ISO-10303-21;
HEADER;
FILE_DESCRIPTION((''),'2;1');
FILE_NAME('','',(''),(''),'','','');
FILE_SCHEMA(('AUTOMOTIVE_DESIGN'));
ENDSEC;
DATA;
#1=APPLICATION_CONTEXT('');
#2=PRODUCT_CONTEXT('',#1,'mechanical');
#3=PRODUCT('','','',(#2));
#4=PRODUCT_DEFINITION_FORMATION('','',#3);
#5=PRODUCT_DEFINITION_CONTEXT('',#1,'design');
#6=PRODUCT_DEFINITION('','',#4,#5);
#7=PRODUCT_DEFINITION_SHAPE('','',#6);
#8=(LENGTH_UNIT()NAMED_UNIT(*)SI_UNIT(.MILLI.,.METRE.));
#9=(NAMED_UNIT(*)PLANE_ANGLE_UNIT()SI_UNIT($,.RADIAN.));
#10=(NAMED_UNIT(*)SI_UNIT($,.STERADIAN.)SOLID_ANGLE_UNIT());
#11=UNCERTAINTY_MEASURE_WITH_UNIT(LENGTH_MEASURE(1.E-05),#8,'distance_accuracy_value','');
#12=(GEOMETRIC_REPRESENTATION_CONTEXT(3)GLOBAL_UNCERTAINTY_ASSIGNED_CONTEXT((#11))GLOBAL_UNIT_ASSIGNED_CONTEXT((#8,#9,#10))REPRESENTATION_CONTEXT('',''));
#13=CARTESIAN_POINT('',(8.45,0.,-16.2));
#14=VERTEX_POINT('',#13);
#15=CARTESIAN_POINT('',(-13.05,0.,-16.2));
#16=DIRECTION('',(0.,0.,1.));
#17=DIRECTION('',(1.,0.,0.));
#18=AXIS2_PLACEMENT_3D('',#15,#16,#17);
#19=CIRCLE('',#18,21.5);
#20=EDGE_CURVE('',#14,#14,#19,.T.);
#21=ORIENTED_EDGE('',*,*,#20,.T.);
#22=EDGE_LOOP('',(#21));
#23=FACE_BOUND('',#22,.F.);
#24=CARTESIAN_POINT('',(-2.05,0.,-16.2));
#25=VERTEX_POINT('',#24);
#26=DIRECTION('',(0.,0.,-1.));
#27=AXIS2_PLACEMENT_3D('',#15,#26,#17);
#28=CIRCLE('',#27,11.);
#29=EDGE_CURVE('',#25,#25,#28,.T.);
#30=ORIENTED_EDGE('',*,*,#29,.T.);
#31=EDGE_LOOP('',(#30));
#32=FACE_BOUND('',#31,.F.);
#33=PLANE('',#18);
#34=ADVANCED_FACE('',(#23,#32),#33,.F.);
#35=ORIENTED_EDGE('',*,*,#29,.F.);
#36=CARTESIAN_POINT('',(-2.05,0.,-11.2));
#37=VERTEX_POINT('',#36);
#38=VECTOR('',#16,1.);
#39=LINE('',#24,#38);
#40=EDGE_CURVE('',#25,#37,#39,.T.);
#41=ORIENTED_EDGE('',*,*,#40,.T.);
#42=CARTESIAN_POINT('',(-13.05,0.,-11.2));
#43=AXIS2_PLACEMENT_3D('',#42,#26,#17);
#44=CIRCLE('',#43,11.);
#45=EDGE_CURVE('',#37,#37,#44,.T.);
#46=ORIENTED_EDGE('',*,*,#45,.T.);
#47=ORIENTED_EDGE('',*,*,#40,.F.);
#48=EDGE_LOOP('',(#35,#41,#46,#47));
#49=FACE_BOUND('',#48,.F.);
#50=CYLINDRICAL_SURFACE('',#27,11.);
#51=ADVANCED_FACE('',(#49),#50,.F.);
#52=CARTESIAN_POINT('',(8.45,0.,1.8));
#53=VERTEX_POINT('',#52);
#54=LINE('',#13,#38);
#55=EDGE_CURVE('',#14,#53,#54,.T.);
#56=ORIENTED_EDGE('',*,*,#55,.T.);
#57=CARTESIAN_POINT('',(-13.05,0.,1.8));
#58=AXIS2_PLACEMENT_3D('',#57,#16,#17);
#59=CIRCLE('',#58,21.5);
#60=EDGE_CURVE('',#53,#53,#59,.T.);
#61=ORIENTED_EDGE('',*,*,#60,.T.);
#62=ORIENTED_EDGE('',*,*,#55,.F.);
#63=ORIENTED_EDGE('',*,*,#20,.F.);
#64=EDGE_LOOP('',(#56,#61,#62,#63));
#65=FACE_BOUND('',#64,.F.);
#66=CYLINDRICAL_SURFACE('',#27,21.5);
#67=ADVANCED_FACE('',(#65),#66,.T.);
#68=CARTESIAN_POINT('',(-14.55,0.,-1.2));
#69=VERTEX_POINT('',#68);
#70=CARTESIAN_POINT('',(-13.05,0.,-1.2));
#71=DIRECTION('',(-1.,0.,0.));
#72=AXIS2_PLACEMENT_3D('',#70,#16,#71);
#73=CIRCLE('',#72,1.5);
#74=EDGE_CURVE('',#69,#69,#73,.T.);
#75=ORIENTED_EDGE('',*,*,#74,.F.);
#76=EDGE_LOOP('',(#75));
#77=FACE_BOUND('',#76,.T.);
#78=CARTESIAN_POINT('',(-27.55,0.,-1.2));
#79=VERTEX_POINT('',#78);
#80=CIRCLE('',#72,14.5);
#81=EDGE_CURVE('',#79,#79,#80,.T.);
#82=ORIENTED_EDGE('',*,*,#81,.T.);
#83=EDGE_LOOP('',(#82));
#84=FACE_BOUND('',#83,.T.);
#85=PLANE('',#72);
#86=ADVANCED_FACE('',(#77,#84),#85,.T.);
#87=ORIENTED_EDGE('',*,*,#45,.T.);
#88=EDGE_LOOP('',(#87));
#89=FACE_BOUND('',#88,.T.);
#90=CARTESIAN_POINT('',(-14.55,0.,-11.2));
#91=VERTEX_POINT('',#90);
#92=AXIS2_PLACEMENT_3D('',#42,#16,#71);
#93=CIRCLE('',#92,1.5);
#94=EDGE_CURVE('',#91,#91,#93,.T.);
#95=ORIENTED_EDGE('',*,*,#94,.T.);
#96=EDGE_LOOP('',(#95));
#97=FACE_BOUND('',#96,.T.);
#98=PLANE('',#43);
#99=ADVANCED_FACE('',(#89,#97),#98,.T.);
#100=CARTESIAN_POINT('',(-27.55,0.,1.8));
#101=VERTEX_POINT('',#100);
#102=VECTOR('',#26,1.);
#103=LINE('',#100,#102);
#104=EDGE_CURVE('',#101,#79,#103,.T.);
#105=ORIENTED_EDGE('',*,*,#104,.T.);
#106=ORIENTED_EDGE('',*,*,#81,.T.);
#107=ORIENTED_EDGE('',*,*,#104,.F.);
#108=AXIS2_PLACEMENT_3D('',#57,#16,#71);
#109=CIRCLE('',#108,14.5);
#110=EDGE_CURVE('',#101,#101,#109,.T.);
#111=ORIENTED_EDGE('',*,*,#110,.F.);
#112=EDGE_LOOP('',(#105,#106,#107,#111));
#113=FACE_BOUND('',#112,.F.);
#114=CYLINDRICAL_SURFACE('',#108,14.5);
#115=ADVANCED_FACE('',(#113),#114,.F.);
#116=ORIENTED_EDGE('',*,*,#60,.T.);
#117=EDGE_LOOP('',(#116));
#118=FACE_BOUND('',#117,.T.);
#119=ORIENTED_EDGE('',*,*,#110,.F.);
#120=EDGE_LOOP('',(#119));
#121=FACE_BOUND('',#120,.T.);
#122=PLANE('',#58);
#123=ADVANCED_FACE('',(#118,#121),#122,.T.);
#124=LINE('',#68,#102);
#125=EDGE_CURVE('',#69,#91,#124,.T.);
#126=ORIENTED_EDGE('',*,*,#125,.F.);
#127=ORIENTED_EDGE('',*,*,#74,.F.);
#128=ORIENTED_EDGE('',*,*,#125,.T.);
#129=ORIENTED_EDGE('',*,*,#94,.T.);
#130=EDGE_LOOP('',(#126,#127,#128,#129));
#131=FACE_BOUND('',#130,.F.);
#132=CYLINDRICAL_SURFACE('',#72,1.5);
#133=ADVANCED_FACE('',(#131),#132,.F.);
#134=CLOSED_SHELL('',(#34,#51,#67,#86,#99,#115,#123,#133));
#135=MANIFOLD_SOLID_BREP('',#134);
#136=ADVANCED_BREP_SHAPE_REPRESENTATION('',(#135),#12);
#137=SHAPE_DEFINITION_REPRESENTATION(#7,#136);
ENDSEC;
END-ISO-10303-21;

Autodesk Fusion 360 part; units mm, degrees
sketch "Esquisse1" plane through (0, 0, 0) normal (0, 0, 1) x (1, 0, 0)
  circle A0 centre (0, 0) radius 2.15
  dimension "d1" = 4.3
extrude "Extrusion1" add sketch "Esquisse1" along normal blind 1.8
sketch "Esquisse2" plane through (0, 0, 1.8) normal (0, 0, 1) x (-1, 0, 0)
  circle A0 centre (0, 0) radius 2.15
  circle A1 centre (0, 0) radius 1.45
  dimension "d4" = 2.9
extrude "Extrusion2" cut sketch "Esquisse2" against normal blind 0.3 contours A1
sketch "Esquisse3" plane through (0, 0, 0) normal (0, 0, -1) x (1, 0, 0)
  circle A0 centre (0, 0) radius 2.15
  circle A1 centre (0, 0) radius 1.1
  dimension "d7" = 2.2
extrude "Extrusion3" cut sketch "Esquisse3" against normal blind 0.5 contours A1
sketch "Esquisse4" plane through (0, 0, 1.5) normal (0, 0, 1) x (-1, 0, 0)
  circle A0 centre (0, 0) radius 1.45
  circle A1 centre (0, 0) radius 0.15
  dimension "d10" = 0.3
extrude "Extrusion4" cut sketch "Esquisse4" against normal blind 3.8 contours A1
scale "Echelle1" factor 10 about (1.45, 0, 1.8) bodies 1
